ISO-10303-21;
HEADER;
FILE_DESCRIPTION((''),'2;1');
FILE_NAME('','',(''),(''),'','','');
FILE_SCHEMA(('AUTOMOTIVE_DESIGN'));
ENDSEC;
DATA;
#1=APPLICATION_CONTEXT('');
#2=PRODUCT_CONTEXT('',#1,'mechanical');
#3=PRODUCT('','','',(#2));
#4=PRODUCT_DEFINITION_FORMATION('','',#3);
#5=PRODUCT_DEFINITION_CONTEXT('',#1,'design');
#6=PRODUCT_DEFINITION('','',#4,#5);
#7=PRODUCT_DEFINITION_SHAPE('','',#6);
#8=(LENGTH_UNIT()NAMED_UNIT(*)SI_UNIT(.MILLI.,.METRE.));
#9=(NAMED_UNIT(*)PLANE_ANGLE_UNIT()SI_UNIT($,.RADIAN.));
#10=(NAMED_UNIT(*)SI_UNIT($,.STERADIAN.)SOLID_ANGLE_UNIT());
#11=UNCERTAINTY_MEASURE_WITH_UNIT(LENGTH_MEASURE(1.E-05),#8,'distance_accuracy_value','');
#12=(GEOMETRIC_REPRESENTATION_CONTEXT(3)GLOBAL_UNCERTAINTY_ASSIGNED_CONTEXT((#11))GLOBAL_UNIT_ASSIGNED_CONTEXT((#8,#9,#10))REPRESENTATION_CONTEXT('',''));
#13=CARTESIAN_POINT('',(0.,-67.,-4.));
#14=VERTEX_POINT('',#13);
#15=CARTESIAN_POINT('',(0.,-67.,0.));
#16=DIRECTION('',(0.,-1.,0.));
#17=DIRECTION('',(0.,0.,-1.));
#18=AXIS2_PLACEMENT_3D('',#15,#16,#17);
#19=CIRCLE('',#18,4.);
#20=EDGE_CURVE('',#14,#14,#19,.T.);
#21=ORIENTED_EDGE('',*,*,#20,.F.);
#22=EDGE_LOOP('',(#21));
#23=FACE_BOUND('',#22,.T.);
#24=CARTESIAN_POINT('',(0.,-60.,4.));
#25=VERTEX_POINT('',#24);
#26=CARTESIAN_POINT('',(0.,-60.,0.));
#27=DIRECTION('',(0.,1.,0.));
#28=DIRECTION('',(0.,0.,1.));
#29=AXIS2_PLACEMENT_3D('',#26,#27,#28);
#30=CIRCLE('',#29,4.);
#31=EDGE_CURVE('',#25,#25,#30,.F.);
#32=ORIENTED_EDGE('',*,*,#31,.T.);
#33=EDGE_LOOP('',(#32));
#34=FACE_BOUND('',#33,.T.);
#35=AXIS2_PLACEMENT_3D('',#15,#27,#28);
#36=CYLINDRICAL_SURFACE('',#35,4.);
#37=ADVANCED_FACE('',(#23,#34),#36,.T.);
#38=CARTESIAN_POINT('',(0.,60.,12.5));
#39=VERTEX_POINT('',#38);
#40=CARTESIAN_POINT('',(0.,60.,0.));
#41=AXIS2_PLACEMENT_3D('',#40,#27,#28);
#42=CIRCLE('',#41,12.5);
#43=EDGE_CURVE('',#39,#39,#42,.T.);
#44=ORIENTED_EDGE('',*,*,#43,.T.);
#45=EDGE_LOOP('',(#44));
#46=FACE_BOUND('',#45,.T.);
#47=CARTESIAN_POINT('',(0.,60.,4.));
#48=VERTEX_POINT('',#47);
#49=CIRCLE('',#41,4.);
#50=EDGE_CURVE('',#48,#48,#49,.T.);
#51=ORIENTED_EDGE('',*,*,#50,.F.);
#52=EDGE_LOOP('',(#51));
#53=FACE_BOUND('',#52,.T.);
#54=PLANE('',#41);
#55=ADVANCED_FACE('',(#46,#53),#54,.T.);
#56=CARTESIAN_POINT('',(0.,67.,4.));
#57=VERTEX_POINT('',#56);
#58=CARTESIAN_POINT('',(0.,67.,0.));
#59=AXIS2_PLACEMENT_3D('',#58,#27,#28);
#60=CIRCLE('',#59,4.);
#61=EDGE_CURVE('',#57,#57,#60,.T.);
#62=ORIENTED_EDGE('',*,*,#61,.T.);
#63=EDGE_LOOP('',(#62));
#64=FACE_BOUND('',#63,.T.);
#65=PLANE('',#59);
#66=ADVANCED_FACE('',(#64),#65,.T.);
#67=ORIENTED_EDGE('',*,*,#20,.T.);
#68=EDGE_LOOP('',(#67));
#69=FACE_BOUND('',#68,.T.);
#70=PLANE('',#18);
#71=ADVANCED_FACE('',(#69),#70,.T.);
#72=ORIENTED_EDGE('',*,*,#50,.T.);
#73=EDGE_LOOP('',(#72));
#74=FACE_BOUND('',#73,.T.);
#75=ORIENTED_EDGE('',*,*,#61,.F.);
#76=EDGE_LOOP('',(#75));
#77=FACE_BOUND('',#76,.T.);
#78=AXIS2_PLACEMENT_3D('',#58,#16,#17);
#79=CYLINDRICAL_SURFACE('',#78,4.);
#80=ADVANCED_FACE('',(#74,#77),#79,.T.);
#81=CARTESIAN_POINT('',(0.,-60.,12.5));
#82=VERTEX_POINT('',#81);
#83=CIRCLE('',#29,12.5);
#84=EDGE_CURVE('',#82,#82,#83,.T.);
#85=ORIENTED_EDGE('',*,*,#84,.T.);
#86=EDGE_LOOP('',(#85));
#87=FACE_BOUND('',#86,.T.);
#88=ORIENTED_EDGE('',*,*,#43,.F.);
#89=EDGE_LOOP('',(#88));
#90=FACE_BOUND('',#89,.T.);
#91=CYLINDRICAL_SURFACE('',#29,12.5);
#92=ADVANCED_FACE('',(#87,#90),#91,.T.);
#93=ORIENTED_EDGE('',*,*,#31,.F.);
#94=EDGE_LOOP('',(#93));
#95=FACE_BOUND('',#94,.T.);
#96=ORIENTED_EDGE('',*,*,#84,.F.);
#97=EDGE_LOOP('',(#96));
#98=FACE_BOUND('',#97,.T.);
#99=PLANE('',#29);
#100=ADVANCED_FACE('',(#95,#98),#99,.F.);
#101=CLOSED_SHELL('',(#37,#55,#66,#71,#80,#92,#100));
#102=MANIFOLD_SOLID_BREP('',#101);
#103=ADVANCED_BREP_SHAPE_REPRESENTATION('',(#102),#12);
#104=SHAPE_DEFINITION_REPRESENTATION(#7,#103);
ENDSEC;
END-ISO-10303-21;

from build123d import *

# Parameters (mm, degrees)
BOSS_EXTRUDE1_DEPTH      = 60
BOSS_EXTRUDE1_DEPTH_BACK = 60
SKETCH1_R                = 12.5
SKETCH2_R                = 4
BOSS_EXTRUDE2_DEPTH      = 7
BOSS_EXTRUDE3_START      = 7
SKETCH3_R                = 4
BOSS_EXTRUDE3_DEPTH      = 7


with BuildPart() as part:
    # Sketch1 → Boss-Extrude1 (new, two sides: drawn at the far end of the back side and taken through both)
    with BuildSketch(Plane(origin=(0, 0, 0), x_dir=(1, 0, 0), z_dir=(0, 1, 0)).offset(-BOSS_EXTRUDE1_DEPTH_BACK)):
        Circle(SKETCH1_R)
    extrude(amount=BOSS_EXTRUDE1_DEPTH + BOSS_EXTRUDE1_DEPTH_BACK)

    # Sketch2 → Boss-Extrude2 (add)
    with BuildSketch(Plane(origin=(0, 60, 0), x_dir=(1, 0, 0), z_dir=(0, 1, 0))):
        Circle(SKETCH2_R)
    extrude(amount=BOSS_EXTRUDE2_DEPTH)

    # Sketch3 → Boss-Extrude3 (add)
    with BuildSketch(Plane.XZ.offset(60).offset(BOSS_EXTRUDE3_START)):
        Circle(SKETCH3_R)
    extrude(amount=-BOSS_EXTRUDE3_DEPTH)


solid = part.part
